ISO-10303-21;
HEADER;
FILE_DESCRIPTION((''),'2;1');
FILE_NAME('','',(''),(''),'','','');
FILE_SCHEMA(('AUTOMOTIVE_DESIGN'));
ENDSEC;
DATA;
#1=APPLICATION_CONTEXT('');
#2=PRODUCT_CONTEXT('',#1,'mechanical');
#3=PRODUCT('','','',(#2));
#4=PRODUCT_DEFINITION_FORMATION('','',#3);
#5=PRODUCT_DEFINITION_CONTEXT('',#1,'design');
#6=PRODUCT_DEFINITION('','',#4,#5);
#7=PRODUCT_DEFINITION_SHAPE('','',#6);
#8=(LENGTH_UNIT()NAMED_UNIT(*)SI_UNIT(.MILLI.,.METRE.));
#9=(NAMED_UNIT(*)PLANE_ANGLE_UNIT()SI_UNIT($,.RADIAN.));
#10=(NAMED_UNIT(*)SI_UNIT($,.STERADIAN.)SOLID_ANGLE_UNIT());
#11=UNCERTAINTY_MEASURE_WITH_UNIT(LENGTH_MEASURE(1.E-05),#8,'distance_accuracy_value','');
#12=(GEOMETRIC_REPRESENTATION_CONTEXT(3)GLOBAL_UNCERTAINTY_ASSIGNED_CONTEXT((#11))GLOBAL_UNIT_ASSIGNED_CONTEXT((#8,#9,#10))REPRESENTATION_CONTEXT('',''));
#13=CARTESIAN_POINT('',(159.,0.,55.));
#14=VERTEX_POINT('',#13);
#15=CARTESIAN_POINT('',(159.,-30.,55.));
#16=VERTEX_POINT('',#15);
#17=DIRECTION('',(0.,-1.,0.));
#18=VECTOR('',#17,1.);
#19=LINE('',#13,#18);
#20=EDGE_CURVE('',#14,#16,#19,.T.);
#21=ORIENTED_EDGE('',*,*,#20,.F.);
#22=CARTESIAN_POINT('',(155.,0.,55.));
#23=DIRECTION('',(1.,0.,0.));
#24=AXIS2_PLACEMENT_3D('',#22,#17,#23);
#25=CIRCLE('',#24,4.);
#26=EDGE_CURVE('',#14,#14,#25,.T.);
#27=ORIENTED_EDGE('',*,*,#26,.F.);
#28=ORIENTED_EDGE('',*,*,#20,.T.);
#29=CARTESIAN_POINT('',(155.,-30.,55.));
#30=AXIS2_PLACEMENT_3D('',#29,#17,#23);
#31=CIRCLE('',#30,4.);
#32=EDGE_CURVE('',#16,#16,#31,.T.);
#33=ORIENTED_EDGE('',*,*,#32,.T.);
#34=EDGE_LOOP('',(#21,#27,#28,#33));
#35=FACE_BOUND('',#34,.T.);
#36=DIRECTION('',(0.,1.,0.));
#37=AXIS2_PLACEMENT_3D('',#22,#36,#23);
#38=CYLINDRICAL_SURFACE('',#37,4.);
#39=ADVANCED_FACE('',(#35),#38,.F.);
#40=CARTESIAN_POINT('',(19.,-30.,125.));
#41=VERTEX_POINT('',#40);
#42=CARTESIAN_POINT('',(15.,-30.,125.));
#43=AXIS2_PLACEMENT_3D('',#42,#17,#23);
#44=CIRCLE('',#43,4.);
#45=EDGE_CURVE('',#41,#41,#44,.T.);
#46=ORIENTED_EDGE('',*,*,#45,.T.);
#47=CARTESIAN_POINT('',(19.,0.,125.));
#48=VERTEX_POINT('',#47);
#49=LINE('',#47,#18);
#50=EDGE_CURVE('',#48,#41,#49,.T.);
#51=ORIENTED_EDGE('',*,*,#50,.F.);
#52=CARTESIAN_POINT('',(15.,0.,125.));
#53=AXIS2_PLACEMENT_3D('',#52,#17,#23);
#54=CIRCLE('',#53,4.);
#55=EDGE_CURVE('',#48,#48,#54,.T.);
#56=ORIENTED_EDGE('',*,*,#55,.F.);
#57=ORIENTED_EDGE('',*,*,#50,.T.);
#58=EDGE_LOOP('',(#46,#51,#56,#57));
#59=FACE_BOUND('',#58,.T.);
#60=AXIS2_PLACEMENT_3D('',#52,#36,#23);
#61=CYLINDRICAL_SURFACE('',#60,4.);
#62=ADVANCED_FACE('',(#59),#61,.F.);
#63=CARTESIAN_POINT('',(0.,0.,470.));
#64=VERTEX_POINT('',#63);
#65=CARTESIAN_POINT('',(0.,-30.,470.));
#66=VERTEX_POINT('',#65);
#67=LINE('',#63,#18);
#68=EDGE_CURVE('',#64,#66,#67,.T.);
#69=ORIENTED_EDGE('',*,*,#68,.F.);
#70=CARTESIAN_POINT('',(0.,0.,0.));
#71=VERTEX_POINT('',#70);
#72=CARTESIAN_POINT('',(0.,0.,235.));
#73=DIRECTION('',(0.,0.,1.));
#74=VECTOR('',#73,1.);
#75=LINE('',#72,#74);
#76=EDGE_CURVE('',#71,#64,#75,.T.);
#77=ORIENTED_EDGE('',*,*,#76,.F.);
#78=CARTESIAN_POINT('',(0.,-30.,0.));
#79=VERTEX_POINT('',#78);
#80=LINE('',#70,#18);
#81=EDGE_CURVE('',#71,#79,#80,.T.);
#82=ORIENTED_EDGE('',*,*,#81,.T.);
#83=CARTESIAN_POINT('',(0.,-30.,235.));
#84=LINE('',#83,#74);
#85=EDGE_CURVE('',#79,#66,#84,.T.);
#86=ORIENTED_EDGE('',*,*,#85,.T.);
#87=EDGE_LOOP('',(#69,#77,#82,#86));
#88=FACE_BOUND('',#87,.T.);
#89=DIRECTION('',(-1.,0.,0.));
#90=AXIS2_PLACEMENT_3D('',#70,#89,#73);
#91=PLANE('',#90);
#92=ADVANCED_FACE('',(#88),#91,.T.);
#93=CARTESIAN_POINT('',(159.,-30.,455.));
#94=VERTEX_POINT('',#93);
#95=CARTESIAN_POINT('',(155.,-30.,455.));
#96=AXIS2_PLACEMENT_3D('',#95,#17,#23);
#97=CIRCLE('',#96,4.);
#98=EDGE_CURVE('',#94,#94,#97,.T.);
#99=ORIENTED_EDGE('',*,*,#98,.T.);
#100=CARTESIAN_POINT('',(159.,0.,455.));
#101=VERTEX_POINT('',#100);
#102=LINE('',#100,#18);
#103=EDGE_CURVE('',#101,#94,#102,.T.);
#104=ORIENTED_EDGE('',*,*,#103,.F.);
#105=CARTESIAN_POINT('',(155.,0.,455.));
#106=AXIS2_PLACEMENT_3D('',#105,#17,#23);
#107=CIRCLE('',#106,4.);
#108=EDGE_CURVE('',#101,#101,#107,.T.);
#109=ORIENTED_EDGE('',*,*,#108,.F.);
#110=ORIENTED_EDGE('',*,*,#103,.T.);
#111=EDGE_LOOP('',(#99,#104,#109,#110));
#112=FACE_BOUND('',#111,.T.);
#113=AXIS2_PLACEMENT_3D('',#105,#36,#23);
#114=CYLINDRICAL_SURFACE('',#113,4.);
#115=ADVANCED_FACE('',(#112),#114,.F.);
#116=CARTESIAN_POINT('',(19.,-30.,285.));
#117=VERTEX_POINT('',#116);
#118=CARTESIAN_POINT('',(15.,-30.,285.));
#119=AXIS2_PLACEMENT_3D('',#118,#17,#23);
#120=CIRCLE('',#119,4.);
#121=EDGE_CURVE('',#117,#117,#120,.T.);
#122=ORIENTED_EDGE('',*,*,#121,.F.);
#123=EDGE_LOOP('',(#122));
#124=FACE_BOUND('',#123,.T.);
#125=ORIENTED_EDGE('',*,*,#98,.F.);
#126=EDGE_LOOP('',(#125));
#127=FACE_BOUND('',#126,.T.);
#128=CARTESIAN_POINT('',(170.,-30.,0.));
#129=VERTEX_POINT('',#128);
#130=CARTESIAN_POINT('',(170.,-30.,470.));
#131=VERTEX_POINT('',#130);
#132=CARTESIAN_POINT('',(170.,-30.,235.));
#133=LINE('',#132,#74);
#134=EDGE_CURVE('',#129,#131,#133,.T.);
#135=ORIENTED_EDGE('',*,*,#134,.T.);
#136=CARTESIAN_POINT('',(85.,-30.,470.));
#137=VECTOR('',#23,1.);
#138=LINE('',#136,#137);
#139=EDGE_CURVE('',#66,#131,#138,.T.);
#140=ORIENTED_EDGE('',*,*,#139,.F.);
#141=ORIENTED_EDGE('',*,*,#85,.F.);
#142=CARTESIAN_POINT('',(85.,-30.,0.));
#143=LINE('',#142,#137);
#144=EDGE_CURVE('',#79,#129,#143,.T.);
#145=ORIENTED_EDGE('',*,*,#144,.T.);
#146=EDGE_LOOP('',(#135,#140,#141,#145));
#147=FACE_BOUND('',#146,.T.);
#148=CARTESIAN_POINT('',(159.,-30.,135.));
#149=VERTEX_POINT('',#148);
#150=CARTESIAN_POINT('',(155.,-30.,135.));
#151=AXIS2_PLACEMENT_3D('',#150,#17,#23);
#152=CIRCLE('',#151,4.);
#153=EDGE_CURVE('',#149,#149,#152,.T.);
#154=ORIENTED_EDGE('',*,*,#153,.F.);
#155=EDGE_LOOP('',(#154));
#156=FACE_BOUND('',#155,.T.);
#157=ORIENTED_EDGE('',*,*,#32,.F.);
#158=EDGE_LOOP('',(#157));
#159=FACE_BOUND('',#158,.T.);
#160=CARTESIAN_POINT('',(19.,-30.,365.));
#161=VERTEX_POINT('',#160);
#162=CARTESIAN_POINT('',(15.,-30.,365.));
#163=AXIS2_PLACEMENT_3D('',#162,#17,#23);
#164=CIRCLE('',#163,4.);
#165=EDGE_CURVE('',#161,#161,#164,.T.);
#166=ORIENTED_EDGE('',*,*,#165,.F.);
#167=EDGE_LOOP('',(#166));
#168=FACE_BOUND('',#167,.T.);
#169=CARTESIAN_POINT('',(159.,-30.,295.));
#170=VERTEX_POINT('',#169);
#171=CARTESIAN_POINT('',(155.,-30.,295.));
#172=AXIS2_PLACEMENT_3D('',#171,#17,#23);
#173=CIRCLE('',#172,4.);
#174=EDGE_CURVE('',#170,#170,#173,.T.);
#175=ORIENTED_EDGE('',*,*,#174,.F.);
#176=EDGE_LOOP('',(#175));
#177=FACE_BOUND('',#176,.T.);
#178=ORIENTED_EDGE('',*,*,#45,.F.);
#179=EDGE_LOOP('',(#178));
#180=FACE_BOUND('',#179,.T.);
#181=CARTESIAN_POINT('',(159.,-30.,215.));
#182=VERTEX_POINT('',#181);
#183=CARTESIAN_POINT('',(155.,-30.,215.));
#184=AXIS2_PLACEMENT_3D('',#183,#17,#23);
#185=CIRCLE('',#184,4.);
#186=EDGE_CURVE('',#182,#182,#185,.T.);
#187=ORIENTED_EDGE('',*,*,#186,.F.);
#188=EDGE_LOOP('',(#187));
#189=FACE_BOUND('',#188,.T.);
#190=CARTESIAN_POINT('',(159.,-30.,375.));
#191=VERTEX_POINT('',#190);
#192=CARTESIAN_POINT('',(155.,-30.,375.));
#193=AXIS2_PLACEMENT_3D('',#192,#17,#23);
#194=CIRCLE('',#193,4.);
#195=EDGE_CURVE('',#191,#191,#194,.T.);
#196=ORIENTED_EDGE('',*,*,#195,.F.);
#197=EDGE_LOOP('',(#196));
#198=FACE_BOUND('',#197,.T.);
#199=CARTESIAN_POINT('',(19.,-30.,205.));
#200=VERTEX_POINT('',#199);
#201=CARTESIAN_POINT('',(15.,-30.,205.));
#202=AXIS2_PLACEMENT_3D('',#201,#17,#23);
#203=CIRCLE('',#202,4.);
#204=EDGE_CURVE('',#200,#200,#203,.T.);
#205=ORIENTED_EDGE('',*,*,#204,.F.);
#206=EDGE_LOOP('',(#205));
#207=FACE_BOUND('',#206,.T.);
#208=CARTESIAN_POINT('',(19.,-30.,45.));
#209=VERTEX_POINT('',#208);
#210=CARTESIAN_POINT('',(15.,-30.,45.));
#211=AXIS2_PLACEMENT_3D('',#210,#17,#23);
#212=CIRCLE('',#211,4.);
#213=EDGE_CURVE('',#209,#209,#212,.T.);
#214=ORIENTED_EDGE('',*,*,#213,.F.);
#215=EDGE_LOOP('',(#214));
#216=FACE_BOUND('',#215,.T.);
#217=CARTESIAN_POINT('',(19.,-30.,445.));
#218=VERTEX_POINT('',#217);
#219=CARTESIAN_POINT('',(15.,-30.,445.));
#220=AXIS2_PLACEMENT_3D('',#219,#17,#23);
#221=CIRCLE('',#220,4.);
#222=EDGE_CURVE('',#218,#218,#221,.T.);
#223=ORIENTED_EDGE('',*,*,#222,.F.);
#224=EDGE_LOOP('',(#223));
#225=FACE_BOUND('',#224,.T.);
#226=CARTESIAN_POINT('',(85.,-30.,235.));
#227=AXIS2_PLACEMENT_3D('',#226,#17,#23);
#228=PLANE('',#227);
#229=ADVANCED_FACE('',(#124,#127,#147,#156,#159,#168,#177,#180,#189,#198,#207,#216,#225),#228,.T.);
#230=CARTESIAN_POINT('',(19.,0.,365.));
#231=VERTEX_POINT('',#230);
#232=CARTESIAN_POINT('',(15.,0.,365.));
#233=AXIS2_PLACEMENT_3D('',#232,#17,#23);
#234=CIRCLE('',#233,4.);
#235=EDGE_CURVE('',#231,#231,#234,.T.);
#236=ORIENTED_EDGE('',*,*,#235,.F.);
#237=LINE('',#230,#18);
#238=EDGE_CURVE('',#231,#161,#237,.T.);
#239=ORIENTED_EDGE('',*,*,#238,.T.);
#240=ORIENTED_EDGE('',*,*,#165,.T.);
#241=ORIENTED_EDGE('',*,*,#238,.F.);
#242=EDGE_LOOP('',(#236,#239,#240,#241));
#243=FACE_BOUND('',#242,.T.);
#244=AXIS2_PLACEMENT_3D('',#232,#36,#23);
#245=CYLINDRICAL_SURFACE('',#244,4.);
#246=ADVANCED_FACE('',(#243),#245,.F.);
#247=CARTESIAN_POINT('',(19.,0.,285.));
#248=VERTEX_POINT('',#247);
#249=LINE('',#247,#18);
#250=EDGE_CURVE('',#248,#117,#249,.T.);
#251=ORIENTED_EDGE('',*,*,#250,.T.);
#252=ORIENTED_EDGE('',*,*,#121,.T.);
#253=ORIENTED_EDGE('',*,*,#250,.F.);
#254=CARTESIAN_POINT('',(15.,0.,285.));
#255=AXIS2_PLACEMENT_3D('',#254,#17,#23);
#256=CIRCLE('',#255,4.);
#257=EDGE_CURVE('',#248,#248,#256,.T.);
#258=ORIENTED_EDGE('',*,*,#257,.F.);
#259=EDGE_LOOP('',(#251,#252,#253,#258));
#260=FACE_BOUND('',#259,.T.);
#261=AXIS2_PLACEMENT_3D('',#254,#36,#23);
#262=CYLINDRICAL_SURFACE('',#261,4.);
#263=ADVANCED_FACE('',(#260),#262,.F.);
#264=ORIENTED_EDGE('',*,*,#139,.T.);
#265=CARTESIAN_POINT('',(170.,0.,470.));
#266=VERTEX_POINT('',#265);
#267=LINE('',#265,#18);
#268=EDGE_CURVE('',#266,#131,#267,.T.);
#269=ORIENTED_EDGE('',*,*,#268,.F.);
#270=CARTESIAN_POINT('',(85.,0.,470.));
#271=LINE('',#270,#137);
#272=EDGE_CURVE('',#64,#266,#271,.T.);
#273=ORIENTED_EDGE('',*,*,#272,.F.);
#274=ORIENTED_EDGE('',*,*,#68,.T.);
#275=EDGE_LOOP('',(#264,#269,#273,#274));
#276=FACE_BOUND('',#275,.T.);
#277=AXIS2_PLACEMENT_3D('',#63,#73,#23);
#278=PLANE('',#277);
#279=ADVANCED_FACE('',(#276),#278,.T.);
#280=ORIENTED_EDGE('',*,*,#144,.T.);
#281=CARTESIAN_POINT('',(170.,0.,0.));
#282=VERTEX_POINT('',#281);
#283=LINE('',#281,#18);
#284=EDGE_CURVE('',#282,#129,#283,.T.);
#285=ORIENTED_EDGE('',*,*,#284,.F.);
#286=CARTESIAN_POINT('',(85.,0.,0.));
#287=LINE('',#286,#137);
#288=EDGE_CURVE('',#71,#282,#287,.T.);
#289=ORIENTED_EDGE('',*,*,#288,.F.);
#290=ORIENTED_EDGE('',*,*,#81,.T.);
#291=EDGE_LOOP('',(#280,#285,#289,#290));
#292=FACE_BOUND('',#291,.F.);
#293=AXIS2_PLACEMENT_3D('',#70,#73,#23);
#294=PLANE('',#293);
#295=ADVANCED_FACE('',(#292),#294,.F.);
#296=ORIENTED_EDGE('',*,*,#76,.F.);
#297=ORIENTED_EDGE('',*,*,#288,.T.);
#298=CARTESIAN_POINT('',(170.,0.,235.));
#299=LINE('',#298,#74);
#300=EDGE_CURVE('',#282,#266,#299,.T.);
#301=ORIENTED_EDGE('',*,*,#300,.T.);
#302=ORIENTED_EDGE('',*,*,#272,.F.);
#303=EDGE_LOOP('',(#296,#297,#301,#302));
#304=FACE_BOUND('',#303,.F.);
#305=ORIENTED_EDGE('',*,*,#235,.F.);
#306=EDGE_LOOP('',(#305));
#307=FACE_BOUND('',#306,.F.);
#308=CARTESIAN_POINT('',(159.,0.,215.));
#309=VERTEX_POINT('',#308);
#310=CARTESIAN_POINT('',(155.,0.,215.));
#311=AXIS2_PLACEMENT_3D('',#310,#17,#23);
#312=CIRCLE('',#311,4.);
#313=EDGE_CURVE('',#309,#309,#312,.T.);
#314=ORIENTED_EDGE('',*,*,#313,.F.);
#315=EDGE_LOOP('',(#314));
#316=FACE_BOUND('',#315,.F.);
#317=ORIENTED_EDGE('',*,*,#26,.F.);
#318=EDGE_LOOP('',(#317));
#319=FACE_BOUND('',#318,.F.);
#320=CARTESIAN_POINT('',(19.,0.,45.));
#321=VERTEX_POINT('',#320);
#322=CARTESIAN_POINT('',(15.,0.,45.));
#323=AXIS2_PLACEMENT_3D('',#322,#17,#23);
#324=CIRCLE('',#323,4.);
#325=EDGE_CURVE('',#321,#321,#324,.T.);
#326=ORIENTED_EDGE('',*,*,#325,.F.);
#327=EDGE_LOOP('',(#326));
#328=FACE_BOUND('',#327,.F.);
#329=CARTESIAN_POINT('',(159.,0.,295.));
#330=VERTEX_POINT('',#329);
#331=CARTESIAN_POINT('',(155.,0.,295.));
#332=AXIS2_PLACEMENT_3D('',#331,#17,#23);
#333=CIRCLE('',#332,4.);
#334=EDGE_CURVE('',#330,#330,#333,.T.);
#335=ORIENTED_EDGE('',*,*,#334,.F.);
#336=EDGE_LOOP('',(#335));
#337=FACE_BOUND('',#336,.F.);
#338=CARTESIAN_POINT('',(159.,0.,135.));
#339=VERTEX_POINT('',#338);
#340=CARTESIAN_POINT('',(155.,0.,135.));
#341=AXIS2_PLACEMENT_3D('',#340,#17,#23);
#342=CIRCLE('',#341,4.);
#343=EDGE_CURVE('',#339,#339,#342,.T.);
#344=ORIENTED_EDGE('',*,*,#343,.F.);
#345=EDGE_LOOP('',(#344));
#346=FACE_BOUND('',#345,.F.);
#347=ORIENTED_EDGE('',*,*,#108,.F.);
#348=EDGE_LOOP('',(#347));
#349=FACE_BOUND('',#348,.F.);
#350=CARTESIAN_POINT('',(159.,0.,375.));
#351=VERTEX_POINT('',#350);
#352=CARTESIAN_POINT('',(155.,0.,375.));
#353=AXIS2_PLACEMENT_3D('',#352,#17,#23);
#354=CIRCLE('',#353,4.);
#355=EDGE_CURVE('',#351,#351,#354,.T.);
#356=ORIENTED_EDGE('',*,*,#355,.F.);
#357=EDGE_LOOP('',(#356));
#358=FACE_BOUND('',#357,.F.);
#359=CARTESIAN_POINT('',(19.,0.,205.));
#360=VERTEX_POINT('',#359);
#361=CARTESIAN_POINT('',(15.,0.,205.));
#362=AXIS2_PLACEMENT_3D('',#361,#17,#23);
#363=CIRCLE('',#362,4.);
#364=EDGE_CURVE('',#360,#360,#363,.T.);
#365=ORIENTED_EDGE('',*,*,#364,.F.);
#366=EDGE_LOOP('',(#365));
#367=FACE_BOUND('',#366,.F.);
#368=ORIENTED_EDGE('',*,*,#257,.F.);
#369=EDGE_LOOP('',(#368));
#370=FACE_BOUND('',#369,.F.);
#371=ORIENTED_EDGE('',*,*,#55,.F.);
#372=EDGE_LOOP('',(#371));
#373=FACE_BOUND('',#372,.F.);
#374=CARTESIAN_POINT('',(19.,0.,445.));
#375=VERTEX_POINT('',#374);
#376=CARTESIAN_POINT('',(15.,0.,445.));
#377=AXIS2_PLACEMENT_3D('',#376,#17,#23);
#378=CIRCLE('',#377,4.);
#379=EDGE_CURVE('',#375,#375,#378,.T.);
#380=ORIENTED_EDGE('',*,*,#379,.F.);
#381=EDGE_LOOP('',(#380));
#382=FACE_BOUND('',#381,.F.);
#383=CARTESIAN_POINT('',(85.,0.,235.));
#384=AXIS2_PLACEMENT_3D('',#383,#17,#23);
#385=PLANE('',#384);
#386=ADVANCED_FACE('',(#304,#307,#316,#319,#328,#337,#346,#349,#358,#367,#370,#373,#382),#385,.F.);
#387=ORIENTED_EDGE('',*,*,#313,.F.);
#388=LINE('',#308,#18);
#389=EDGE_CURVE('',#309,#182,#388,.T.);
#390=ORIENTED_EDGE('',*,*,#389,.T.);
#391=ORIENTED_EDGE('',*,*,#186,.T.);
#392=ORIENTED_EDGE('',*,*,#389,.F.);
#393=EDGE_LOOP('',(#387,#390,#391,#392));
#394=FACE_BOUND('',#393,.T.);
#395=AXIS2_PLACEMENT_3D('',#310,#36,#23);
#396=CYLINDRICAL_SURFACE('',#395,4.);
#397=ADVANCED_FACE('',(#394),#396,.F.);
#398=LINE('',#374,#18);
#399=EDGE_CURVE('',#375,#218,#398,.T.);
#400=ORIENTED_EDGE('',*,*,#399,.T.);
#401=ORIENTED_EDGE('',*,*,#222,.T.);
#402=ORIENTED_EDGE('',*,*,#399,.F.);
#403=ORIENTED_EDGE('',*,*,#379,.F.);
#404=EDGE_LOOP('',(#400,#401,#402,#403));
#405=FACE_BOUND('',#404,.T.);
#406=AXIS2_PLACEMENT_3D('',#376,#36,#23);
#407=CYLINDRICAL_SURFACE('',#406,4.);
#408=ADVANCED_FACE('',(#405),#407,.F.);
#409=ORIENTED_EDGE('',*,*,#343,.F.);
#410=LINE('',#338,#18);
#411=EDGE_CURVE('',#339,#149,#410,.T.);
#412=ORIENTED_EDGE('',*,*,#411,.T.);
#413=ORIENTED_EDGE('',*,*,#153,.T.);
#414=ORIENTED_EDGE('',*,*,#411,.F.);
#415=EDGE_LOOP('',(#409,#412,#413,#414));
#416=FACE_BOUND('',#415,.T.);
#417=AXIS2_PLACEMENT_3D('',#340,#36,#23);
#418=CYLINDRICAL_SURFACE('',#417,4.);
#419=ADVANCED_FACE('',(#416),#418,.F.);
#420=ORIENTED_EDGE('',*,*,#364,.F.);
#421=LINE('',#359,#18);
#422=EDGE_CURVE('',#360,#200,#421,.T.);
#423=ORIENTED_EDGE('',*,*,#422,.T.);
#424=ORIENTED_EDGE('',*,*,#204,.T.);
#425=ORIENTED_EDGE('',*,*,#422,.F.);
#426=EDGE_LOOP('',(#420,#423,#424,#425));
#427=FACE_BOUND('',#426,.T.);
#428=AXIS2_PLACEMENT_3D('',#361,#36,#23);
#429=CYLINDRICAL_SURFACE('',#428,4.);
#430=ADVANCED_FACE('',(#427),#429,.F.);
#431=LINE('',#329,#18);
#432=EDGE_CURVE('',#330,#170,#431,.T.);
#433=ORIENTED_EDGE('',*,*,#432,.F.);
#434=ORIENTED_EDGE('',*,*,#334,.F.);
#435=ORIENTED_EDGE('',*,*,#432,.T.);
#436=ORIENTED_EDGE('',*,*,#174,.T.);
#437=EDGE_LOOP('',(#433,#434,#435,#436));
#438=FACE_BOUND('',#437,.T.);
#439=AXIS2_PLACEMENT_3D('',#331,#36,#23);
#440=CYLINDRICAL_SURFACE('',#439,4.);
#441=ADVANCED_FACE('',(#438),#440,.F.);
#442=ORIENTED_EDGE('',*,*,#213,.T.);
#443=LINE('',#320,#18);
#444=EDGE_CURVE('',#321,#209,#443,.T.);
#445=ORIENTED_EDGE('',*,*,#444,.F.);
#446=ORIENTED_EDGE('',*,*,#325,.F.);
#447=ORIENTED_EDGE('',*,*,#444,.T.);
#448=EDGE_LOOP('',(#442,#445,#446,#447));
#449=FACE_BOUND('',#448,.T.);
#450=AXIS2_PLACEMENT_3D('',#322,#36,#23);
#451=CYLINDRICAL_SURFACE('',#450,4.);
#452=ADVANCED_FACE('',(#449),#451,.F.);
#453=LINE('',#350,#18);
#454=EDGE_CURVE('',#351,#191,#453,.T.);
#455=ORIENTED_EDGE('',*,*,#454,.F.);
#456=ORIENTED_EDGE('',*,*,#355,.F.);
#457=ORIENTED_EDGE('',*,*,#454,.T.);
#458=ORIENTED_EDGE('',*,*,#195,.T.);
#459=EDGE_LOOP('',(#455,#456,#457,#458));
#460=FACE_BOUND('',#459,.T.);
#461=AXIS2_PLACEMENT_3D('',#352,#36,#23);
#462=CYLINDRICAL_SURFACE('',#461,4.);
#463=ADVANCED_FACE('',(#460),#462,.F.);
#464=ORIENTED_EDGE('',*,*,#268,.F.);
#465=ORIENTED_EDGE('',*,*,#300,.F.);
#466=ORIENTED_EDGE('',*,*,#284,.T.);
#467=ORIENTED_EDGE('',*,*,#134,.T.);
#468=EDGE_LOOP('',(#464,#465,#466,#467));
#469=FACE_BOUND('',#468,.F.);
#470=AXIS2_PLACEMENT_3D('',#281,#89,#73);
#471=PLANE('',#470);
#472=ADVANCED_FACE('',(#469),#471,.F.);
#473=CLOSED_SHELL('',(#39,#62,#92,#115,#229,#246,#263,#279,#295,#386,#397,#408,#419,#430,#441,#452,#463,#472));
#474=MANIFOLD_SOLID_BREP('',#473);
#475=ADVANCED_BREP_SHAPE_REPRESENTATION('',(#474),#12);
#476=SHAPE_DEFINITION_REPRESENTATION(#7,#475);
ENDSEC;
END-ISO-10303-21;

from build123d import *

# Parameters (mm, degrees)
F0_W     = 170
F0_H     = 470
F0_R     = 4
F1_DEPTH = 30


with BuildPart() as f1:
    # F0 (on Front) → F1 (new body)
    with BuildSketch(Plane.XZ):
        with Locations((85, 235)):
            Rectangle(F0_W, F0_H)
        with Locations((15, 45)):
            Circle(F0_R, mode=Mode.SUBTRACT)
        with Locations((15, 125)):
            Circle(F0_R, mode=Mode.SUBTRACT)
        with Locations((15, 205)):
            Circle(F0_R, mode=Mode.SUBTRACT)
        with Locations((155, 55)):
            Circle(F0_R, mode=Mode.SUBTRACT)
        with Locations((155, 135)):
            Circle(F0_R, mode=Mode.SUBTRACT)
        with Locations((155, 215)):
            Circle(F0_R, mode=Mode.SUBTRACT)
        with Locations((15, 285)):
            Circle(F0_R, mode=Mode.SUBTRACT)
        with Locations((15, 365)):
            Circle(F0_R, mode=Mode.SUBTRACT)
        with Locations((15, 445)):
            Circle(F0_R, mode=Mode.SUBTRACT)
        with Locations((155, 295)):
            Circle(F0_R, mode=Mode.SUBTRACT)
        with Locations((155, 375)):
            Circle(F0_R, mode=Mode.SUBTRACT)
        with Locations((155, 455)):
            Circle(F0_R, mode=Mode.SUBTRACT)
    extrude(amount=F1_DEPTH)


solid = f1.part
